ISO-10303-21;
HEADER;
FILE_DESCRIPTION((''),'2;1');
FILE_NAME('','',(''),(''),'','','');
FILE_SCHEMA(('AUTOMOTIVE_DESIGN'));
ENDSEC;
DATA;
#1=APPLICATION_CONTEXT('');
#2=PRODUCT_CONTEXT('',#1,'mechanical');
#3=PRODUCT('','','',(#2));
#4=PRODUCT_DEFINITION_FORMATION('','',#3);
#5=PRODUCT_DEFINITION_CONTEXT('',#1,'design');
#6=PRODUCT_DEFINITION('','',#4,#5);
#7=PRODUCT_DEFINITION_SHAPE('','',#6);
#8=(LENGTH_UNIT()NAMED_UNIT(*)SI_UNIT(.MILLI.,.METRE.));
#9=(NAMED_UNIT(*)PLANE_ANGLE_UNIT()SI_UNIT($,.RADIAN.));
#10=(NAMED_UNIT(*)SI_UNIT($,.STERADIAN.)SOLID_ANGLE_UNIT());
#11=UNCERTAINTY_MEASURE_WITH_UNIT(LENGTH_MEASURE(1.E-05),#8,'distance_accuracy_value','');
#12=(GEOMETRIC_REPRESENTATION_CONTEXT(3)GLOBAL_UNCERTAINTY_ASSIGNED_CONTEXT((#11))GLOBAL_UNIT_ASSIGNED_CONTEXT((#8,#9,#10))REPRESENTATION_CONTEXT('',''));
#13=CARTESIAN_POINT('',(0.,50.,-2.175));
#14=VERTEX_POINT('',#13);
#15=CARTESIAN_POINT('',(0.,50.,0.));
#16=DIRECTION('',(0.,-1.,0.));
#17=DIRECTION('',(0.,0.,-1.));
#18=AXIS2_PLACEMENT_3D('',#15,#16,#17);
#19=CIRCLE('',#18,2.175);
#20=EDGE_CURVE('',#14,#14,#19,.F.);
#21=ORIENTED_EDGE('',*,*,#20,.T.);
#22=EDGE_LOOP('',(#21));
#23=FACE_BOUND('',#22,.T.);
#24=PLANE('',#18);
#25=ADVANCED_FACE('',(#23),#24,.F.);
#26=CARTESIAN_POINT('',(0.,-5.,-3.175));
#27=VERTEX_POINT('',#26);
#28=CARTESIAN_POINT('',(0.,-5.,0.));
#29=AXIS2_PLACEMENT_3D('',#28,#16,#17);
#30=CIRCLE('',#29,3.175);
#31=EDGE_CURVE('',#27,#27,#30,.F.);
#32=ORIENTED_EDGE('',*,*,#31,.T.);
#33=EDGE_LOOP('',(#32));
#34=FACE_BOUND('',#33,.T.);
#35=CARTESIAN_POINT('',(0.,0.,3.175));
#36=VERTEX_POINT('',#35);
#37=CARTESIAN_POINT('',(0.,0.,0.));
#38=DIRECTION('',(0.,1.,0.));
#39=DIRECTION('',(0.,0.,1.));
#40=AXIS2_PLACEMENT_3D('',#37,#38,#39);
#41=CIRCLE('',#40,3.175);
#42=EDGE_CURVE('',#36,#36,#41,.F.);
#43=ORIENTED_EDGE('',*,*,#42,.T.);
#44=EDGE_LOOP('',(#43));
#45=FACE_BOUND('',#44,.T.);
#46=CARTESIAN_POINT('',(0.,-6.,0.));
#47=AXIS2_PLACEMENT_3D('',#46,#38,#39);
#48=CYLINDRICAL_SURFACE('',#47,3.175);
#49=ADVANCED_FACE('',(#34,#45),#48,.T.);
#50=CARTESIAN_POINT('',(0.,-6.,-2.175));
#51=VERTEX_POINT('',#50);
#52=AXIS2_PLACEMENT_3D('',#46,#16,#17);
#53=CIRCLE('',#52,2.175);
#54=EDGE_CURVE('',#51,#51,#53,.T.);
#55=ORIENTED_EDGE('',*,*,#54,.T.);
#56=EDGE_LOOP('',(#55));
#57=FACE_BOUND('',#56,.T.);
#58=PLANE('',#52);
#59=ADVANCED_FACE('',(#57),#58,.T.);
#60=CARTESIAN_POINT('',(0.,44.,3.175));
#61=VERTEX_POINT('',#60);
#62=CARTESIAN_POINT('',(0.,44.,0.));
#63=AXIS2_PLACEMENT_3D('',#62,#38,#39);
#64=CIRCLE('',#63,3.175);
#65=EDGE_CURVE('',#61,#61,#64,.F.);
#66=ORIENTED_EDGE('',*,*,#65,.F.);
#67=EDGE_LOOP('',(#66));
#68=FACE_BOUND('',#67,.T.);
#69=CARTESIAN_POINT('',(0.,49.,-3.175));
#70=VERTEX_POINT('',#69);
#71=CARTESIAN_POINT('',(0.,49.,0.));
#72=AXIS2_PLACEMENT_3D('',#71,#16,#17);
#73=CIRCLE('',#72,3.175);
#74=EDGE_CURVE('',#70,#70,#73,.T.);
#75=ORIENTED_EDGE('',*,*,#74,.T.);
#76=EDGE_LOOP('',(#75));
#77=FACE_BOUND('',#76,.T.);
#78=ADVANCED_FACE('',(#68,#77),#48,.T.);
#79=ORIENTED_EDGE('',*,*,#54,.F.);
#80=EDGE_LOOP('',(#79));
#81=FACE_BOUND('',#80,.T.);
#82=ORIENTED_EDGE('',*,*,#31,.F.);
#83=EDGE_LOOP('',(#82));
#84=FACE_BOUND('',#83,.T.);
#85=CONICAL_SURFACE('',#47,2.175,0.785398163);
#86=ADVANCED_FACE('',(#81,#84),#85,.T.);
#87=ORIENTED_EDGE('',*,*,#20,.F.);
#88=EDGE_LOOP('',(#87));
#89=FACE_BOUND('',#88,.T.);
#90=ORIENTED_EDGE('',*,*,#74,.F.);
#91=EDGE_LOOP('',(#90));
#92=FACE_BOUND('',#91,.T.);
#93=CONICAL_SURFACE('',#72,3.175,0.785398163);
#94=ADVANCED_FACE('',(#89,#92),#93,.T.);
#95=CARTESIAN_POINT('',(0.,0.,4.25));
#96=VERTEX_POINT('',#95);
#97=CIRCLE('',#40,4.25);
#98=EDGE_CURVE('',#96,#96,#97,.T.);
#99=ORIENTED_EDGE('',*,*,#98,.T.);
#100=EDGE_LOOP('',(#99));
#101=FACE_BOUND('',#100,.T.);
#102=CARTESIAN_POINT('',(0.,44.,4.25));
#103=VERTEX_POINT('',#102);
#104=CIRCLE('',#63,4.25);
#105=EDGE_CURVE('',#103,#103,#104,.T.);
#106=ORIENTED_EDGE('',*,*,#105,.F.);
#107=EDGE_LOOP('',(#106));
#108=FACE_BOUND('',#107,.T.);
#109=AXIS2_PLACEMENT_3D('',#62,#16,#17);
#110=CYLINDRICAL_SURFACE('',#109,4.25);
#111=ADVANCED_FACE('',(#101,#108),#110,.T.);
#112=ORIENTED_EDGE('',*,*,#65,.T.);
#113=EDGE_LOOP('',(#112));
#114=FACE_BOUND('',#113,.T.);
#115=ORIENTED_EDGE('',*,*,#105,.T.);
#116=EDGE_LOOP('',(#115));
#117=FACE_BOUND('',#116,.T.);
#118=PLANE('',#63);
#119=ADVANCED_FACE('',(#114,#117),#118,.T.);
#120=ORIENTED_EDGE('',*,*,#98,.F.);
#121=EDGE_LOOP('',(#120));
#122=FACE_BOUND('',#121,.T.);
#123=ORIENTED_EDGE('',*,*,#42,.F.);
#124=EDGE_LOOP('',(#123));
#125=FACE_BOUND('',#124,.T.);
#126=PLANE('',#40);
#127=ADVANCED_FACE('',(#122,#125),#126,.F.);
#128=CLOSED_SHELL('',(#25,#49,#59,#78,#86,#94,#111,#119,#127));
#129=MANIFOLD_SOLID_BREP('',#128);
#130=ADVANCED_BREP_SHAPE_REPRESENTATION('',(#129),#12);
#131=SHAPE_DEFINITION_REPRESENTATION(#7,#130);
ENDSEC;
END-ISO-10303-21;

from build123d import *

# Parameters (mm, degrees)
ESBO_O1_R                     = 4.25
RESSALTO_EXTRUS_O1_DEPTH      = 44
RESSALTO_EXTRUS_O2_DEPTH      = 6
RESSALTO_EXTRUS_O2_DEPTH_BACK = 50
ESBO_O2_R                     = 3.175
CHANFRO1_SIZE                 = 1
CHANFRO2_SIZE                 = 1


with BuildPart() as part:
    # Esboço1 → Ressalto-extrusão1 (new body)
    with BuildSketch(Plane(origin=(0, 0, 0), x_dir=(1, 0, 0), z_dir=(0, 1, 0))):
        with Locations(Location((0, 0, 0), (0, 0, 270))):
            Circle(ESBO_O1_R)
    extrude(amount=RESSALTO_EXTRUS_O1_DEPTH)

    # Esboço2 → Ressalto-extrusão2 (add, two sides: drawn at the far end of the back side and taken through both)
    with BuildSketch(Plane(origin=(0, 0, 0), x_dir=(-1, 0, 0), z_dir=(0, -1, 0)).offset(-RESSALTO_EXTRUS_O2_DEPTH_BACK)):
        with Locations(Location((0, 0, 0), (0, 0, 270))):
            Circle(ESBO_O2_R)
    extrude(amount=RESSALTO_EXTRUS_O2_DEPTH + RESSALTO_EXTRUS_O2_DEPTH_BACK)

    # Chanfro1
    chanfro1_edges = [part.edges().sort_by_distance(p)[0] for p in [
        (0, -6, -3.175),
    ]]
    chamfer(chanfro1_edges, length=CHANFRO1_SIZE)

    # Chanfro2
    chanfro2_edges = [part.edges().sort_by_distance(p)[0] for p in [
        (0, 50, -3.175),
    ]]
    chamfer(chanfro2_edges, length=CHANFRO2_SIZE)


solid = part.part
